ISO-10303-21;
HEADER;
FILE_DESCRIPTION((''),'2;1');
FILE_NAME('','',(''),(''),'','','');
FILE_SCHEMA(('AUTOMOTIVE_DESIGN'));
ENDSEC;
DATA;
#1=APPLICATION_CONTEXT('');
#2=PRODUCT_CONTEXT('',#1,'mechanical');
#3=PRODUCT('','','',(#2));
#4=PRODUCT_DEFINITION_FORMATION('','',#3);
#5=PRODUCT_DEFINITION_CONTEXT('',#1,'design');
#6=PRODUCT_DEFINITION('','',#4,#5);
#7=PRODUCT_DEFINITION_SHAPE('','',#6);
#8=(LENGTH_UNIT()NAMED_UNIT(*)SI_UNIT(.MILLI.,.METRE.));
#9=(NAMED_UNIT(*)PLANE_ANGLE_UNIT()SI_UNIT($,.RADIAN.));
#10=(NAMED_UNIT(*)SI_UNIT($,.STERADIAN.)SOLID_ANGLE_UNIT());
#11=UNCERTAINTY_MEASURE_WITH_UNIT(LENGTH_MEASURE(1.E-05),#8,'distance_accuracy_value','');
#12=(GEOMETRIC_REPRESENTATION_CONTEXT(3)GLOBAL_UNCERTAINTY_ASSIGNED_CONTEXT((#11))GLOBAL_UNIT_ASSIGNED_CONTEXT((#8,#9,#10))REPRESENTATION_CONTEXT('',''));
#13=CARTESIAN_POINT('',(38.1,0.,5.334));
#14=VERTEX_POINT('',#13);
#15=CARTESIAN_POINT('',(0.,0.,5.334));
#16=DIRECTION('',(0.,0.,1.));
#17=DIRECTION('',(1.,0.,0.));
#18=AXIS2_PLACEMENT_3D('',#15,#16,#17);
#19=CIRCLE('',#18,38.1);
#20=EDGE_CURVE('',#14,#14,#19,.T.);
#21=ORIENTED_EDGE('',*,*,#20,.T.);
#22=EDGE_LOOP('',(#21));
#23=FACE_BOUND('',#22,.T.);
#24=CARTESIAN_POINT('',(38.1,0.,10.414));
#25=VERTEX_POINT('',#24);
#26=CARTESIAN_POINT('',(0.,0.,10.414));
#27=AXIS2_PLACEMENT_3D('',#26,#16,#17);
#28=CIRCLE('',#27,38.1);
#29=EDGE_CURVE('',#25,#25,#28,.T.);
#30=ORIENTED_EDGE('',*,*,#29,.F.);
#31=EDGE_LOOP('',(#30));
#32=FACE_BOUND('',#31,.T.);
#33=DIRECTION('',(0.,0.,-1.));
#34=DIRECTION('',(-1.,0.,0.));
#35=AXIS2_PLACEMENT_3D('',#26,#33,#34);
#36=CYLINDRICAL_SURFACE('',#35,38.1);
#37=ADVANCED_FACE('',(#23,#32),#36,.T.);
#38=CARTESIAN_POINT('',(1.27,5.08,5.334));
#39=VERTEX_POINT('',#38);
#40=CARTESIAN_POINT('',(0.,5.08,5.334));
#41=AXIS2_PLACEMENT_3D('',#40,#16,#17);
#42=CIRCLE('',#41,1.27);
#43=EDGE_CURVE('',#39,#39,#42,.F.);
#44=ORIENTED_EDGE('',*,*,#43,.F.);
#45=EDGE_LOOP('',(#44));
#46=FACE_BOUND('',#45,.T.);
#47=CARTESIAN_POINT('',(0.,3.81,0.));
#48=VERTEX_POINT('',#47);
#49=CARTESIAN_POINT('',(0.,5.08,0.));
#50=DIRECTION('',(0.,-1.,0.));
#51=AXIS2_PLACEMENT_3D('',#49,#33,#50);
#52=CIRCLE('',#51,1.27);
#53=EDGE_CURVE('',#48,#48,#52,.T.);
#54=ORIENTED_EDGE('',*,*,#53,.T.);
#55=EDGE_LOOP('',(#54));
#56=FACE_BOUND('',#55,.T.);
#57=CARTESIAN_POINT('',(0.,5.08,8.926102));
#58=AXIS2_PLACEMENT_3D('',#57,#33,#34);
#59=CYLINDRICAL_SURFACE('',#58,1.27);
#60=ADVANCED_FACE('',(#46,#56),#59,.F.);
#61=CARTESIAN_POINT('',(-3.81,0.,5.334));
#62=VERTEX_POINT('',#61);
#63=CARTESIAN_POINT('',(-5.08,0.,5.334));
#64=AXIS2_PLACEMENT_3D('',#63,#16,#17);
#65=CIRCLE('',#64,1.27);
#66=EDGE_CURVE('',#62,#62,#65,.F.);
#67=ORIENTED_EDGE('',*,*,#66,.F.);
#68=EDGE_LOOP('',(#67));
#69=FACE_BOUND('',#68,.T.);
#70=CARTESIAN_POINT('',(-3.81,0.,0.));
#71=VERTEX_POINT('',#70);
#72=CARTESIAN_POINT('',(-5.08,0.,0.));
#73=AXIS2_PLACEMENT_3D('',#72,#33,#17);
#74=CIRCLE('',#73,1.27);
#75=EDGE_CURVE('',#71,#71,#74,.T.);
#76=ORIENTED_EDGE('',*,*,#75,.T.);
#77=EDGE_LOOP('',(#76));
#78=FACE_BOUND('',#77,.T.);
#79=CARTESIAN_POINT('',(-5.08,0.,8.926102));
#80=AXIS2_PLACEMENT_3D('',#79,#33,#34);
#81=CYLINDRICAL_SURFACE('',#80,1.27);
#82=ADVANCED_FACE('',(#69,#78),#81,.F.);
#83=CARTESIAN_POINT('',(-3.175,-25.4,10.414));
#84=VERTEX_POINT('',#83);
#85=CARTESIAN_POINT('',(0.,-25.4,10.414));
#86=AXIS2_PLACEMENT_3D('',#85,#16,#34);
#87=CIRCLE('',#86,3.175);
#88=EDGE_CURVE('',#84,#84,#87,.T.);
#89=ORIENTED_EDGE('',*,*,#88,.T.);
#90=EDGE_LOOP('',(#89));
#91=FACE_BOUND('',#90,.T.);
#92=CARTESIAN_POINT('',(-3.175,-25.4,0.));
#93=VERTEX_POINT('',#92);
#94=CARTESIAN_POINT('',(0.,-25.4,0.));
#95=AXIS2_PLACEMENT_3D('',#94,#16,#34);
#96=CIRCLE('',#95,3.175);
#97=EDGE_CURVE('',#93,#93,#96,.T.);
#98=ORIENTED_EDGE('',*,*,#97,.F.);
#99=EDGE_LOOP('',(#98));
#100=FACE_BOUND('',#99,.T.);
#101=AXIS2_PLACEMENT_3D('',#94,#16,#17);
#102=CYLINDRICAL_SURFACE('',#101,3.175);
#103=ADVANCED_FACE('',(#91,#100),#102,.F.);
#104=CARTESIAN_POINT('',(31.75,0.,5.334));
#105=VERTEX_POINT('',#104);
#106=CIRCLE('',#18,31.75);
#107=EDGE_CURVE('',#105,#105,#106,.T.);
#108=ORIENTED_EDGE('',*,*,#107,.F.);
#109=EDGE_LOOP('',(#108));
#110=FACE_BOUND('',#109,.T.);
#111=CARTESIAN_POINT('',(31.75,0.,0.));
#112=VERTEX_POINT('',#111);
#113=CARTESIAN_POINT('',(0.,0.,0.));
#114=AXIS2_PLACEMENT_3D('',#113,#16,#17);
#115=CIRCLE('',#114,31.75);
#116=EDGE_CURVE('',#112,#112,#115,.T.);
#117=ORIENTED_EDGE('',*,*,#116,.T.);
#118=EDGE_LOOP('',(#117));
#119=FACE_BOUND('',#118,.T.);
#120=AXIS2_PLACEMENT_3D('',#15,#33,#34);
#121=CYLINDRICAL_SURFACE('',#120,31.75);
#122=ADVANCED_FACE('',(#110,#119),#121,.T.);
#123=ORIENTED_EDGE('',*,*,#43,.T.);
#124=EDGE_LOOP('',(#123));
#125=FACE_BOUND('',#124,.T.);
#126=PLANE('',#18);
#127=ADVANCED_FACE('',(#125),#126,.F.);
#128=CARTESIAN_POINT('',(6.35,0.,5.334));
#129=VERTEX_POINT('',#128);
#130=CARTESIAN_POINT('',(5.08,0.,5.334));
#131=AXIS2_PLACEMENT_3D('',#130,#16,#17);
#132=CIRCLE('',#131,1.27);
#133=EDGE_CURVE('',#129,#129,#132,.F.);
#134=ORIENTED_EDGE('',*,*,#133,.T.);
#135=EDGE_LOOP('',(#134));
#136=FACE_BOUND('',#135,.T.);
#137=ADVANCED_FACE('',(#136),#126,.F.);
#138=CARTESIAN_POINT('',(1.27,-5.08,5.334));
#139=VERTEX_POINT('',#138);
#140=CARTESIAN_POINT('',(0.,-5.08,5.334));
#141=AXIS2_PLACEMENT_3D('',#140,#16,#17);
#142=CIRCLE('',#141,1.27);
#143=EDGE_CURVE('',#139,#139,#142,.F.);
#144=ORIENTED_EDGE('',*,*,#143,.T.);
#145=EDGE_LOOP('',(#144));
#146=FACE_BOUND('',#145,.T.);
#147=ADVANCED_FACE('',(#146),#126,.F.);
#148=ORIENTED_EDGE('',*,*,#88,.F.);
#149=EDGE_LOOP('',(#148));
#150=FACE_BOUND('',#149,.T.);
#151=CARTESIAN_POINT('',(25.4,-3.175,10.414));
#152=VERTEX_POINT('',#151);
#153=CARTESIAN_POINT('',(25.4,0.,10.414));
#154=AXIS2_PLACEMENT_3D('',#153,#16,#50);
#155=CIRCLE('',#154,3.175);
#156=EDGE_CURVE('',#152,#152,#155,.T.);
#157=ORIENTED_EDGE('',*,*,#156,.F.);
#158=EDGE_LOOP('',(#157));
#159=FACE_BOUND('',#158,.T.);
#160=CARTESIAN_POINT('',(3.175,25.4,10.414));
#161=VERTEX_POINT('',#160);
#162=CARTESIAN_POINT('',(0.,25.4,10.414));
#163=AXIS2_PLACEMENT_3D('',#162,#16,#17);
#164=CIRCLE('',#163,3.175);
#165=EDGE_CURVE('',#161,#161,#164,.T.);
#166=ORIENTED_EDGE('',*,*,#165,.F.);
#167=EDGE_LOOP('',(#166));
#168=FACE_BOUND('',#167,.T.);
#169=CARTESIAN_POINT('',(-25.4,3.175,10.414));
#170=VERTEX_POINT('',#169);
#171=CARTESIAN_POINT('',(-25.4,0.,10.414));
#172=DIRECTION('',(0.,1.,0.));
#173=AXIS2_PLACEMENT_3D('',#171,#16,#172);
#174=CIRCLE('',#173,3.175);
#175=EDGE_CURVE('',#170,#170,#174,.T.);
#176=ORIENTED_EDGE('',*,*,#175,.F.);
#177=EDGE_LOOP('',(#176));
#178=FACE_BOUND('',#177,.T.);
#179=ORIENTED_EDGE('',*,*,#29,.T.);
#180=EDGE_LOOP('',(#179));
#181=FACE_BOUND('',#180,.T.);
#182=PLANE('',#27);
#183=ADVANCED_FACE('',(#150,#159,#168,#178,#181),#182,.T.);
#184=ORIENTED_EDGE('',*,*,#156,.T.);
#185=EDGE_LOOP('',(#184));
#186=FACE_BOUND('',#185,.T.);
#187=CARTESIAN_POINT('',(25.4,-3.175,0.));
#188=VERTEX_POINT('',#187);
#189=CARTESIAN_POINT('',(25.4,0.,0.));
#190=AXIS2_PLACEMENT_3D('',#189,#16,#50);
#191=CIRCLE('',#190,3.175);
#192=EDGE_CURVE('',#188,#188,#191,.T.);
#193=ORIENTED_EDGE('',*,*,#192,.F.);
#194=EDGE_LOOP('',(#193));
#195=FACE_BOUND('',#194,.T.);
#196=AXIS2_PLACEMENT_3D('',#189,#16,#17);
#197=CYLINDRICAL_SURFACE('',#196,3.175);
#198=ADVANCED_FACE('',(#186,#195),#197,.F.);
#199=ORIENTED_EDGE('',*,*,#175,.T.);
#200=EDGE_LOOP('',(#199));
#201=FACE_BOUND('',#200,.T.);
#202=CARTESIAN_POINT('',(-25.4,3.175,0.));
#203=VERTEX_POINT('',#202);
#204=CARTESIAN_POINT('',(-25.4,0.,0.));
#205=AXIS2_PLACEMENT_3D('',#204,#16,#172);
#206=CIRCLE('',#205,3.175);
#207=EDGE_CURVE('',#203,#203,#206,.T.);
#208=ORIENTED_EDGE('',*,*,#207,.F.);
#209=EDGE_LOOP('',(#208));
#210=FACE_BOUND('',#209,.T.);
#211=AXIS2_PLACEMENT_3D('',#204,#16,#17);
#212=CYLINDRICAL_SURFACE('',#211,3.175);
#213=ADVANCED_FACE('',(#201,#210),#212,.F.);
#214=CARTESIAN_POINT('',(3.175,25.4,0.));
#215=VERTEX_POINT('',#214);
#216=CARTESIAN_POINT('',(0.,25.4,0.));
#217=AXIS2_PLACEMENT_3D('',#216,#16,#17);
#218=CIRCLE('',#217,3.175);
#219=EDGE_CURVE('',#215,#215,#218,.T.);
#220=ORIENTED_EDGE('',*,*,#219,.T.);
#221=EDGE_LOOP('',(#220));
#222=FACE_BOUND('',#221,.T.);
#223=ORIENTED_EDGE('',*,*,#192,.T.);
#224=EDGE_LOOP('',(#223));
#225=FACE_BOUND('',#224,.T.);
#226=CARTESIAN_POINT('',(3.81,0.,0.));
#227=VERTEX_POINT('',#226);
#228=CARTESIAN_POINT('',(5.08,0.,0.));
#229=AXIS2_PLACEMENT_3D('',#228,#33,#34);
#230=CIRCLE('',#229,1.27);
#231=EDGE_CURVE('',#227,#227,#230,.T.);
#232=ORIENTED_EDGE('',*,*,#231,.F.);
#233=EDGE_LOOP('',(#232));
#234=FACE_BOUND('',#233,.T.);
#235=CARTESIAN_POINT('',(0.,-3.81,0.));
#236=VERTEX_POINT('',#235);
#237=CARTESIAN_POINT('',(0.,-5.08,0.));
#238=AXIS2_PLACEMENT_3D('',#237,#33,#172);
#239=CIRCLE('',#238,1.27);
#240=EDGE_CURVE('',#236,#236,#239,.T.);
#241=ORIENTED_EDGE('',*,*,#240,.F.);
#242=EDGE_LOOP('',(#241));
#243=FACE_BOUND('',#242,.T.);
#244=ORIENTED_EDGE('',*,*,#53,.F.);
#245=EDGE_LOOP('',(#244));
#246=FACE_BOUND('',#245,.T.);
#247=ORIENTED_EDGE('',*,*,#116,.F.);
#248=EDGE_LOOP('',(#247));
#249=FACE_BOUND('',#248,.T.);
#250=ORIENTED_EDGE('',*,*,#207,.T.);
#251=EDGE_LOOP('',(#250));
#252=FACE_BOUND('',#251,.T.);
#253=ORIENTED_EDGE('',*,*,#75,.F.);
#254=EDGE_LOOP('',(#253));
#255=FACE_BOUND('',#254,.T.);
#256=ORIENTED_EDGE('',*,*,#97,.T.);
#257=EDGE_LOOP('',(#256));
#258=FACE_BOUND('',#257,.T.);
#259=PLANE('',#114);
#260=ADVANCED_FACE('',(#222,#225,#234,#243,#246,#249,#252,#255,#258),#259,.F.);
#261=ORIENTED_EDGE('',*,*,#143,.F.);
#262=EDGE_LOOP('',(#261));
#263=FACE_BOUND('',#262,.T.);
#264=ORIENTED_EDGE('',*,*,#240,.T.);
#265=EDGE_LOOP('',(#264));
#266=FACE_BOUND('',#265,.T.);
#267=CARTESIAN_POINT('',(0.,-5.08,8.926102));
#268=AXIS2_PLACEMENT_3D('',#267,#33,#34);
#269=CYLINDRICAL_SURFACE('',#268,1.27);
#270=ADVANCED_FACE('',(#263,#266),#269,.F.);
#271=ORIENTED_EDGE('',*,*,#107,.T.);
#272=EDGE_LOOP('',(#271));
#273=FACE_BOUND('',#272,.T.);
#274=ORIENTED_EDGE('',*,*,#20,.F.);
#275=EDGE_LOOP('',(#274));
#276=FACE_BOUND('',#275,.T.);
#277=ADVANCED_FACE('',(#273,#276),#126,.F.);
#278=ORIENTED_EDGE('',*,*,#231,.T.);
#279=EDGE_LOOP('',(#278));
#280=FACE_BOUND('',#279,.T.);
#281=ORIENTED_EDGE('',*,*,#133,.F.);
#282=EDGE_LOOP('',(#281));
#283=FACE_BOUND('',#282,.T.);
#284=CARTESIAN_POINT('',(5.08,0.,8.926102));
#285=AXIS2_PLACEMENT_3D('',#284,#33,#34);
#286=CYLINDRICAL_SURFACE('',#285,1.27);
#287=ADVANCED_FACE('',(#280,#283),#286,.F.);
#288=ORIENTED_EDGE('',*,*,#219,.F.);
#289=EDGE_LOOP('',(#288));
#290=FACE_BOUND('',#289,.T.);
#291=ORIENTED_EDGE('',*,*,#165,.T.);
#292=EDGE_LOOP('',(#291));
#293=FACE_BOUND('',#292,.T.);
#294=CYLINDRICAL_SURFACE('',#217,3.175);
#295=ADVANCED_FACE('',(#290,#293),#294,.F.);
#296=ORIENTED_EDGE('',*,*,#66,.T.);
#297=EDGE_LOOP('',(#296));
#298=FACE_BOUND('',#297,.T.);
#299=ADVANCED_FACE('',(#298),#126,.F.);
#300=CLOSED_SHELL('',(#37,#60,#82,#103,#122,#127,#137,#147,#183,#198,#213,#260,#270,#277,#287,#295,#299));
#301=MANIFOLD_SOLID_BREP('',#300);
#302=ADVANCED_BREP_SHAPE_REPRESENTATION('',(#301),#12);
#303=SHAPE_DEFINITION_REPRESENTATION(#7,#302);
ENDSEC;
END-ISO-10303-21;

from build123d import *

# Parameters (mm, degrees)
SKETCH1_R           = 31.75
BOSS_EXTRUDE1_DEPTH = 5.334
SKETCH2_R           = 38.1
BOSS_EXTRUDE2_DEPTH = 5.08
SKETCH3_R           = 3.175
CUT_EXTRUDE1_DEPTH  = 55.878697106
CIRPATTERN1_COUNT   = 4
SKETCH6_R           = 1.27
CUT_EXTRUDE3_DEPTH  = 5.334
CIRPATTERN2_COUNT   = 4


with BuildPart() as part:
    # Sketch1 → Boss-Extrude1 (new body)
    with BuildSketch(Plane.XY):
        Circle(SKETCH1_R)
    extrude(amount=BOSS_EXTRUDE1_DEPTH)

    # Sketch2 → Boss-Extrude2 (add)
    with BuildSketch(Plane.XY.offset(5.334)):
        Circle(SKETCH2_R)
    extrude(amount=BOSS_EXTRUDE2_DEPTH)

    # Sketch3 → Cut-Extrude1 (cut, through all)
    with BuildSketch(Plane.XY.offset(10.414)):
        with Locations((0, 25.4)):
            Circle(SKETCH3_R)
    cut_extrude1 = extrude(amount=-CUT_EXTRUDE1_DEPTH, mode=Mode.SUBTRACT)

    # CirPattern1: Cut-Extrude1 ×4 about axis
    cirpattern1_axis = Axis((0, 0, 0), (0, 0, 1))
    for i in range(1, CIRPATTERN1_COUNT):
        add(cut_extrude1.rotate(cirpattern1_axis, i * 360 / CIRPATTERN1_COUNT), mode=Mode.SUBTRACT)

    # Sketch6 → Cut-Extrude3 (cut)
    with BuildSketch(Plane(origin=(0, 0, 0), x_dir=(-1, 0, 0), z_dir=(0, 0, -1))):
        with Locations((-5.08, 0)):
            Circle(SKETCH6_R)
    cut_extrude3 = extrude(amount=-CUT_EXTRUDE3_DEPTH, mode=Mode.SUBTRACT)

    # CirPattern2: Cut-Extrude3 ×4 about axis
    cirpattern2_axis = Axis((0, 0, 0), (0, 0, 1))
    for i in range(1, CIRPATTERN2_COUNT):
        add(cut_extrude3.rotate(cirpattern2_axis, i * 360 / CIRPATTERN2_COUNT), mode=Mode.SUBTRACT)


solid = part.part
